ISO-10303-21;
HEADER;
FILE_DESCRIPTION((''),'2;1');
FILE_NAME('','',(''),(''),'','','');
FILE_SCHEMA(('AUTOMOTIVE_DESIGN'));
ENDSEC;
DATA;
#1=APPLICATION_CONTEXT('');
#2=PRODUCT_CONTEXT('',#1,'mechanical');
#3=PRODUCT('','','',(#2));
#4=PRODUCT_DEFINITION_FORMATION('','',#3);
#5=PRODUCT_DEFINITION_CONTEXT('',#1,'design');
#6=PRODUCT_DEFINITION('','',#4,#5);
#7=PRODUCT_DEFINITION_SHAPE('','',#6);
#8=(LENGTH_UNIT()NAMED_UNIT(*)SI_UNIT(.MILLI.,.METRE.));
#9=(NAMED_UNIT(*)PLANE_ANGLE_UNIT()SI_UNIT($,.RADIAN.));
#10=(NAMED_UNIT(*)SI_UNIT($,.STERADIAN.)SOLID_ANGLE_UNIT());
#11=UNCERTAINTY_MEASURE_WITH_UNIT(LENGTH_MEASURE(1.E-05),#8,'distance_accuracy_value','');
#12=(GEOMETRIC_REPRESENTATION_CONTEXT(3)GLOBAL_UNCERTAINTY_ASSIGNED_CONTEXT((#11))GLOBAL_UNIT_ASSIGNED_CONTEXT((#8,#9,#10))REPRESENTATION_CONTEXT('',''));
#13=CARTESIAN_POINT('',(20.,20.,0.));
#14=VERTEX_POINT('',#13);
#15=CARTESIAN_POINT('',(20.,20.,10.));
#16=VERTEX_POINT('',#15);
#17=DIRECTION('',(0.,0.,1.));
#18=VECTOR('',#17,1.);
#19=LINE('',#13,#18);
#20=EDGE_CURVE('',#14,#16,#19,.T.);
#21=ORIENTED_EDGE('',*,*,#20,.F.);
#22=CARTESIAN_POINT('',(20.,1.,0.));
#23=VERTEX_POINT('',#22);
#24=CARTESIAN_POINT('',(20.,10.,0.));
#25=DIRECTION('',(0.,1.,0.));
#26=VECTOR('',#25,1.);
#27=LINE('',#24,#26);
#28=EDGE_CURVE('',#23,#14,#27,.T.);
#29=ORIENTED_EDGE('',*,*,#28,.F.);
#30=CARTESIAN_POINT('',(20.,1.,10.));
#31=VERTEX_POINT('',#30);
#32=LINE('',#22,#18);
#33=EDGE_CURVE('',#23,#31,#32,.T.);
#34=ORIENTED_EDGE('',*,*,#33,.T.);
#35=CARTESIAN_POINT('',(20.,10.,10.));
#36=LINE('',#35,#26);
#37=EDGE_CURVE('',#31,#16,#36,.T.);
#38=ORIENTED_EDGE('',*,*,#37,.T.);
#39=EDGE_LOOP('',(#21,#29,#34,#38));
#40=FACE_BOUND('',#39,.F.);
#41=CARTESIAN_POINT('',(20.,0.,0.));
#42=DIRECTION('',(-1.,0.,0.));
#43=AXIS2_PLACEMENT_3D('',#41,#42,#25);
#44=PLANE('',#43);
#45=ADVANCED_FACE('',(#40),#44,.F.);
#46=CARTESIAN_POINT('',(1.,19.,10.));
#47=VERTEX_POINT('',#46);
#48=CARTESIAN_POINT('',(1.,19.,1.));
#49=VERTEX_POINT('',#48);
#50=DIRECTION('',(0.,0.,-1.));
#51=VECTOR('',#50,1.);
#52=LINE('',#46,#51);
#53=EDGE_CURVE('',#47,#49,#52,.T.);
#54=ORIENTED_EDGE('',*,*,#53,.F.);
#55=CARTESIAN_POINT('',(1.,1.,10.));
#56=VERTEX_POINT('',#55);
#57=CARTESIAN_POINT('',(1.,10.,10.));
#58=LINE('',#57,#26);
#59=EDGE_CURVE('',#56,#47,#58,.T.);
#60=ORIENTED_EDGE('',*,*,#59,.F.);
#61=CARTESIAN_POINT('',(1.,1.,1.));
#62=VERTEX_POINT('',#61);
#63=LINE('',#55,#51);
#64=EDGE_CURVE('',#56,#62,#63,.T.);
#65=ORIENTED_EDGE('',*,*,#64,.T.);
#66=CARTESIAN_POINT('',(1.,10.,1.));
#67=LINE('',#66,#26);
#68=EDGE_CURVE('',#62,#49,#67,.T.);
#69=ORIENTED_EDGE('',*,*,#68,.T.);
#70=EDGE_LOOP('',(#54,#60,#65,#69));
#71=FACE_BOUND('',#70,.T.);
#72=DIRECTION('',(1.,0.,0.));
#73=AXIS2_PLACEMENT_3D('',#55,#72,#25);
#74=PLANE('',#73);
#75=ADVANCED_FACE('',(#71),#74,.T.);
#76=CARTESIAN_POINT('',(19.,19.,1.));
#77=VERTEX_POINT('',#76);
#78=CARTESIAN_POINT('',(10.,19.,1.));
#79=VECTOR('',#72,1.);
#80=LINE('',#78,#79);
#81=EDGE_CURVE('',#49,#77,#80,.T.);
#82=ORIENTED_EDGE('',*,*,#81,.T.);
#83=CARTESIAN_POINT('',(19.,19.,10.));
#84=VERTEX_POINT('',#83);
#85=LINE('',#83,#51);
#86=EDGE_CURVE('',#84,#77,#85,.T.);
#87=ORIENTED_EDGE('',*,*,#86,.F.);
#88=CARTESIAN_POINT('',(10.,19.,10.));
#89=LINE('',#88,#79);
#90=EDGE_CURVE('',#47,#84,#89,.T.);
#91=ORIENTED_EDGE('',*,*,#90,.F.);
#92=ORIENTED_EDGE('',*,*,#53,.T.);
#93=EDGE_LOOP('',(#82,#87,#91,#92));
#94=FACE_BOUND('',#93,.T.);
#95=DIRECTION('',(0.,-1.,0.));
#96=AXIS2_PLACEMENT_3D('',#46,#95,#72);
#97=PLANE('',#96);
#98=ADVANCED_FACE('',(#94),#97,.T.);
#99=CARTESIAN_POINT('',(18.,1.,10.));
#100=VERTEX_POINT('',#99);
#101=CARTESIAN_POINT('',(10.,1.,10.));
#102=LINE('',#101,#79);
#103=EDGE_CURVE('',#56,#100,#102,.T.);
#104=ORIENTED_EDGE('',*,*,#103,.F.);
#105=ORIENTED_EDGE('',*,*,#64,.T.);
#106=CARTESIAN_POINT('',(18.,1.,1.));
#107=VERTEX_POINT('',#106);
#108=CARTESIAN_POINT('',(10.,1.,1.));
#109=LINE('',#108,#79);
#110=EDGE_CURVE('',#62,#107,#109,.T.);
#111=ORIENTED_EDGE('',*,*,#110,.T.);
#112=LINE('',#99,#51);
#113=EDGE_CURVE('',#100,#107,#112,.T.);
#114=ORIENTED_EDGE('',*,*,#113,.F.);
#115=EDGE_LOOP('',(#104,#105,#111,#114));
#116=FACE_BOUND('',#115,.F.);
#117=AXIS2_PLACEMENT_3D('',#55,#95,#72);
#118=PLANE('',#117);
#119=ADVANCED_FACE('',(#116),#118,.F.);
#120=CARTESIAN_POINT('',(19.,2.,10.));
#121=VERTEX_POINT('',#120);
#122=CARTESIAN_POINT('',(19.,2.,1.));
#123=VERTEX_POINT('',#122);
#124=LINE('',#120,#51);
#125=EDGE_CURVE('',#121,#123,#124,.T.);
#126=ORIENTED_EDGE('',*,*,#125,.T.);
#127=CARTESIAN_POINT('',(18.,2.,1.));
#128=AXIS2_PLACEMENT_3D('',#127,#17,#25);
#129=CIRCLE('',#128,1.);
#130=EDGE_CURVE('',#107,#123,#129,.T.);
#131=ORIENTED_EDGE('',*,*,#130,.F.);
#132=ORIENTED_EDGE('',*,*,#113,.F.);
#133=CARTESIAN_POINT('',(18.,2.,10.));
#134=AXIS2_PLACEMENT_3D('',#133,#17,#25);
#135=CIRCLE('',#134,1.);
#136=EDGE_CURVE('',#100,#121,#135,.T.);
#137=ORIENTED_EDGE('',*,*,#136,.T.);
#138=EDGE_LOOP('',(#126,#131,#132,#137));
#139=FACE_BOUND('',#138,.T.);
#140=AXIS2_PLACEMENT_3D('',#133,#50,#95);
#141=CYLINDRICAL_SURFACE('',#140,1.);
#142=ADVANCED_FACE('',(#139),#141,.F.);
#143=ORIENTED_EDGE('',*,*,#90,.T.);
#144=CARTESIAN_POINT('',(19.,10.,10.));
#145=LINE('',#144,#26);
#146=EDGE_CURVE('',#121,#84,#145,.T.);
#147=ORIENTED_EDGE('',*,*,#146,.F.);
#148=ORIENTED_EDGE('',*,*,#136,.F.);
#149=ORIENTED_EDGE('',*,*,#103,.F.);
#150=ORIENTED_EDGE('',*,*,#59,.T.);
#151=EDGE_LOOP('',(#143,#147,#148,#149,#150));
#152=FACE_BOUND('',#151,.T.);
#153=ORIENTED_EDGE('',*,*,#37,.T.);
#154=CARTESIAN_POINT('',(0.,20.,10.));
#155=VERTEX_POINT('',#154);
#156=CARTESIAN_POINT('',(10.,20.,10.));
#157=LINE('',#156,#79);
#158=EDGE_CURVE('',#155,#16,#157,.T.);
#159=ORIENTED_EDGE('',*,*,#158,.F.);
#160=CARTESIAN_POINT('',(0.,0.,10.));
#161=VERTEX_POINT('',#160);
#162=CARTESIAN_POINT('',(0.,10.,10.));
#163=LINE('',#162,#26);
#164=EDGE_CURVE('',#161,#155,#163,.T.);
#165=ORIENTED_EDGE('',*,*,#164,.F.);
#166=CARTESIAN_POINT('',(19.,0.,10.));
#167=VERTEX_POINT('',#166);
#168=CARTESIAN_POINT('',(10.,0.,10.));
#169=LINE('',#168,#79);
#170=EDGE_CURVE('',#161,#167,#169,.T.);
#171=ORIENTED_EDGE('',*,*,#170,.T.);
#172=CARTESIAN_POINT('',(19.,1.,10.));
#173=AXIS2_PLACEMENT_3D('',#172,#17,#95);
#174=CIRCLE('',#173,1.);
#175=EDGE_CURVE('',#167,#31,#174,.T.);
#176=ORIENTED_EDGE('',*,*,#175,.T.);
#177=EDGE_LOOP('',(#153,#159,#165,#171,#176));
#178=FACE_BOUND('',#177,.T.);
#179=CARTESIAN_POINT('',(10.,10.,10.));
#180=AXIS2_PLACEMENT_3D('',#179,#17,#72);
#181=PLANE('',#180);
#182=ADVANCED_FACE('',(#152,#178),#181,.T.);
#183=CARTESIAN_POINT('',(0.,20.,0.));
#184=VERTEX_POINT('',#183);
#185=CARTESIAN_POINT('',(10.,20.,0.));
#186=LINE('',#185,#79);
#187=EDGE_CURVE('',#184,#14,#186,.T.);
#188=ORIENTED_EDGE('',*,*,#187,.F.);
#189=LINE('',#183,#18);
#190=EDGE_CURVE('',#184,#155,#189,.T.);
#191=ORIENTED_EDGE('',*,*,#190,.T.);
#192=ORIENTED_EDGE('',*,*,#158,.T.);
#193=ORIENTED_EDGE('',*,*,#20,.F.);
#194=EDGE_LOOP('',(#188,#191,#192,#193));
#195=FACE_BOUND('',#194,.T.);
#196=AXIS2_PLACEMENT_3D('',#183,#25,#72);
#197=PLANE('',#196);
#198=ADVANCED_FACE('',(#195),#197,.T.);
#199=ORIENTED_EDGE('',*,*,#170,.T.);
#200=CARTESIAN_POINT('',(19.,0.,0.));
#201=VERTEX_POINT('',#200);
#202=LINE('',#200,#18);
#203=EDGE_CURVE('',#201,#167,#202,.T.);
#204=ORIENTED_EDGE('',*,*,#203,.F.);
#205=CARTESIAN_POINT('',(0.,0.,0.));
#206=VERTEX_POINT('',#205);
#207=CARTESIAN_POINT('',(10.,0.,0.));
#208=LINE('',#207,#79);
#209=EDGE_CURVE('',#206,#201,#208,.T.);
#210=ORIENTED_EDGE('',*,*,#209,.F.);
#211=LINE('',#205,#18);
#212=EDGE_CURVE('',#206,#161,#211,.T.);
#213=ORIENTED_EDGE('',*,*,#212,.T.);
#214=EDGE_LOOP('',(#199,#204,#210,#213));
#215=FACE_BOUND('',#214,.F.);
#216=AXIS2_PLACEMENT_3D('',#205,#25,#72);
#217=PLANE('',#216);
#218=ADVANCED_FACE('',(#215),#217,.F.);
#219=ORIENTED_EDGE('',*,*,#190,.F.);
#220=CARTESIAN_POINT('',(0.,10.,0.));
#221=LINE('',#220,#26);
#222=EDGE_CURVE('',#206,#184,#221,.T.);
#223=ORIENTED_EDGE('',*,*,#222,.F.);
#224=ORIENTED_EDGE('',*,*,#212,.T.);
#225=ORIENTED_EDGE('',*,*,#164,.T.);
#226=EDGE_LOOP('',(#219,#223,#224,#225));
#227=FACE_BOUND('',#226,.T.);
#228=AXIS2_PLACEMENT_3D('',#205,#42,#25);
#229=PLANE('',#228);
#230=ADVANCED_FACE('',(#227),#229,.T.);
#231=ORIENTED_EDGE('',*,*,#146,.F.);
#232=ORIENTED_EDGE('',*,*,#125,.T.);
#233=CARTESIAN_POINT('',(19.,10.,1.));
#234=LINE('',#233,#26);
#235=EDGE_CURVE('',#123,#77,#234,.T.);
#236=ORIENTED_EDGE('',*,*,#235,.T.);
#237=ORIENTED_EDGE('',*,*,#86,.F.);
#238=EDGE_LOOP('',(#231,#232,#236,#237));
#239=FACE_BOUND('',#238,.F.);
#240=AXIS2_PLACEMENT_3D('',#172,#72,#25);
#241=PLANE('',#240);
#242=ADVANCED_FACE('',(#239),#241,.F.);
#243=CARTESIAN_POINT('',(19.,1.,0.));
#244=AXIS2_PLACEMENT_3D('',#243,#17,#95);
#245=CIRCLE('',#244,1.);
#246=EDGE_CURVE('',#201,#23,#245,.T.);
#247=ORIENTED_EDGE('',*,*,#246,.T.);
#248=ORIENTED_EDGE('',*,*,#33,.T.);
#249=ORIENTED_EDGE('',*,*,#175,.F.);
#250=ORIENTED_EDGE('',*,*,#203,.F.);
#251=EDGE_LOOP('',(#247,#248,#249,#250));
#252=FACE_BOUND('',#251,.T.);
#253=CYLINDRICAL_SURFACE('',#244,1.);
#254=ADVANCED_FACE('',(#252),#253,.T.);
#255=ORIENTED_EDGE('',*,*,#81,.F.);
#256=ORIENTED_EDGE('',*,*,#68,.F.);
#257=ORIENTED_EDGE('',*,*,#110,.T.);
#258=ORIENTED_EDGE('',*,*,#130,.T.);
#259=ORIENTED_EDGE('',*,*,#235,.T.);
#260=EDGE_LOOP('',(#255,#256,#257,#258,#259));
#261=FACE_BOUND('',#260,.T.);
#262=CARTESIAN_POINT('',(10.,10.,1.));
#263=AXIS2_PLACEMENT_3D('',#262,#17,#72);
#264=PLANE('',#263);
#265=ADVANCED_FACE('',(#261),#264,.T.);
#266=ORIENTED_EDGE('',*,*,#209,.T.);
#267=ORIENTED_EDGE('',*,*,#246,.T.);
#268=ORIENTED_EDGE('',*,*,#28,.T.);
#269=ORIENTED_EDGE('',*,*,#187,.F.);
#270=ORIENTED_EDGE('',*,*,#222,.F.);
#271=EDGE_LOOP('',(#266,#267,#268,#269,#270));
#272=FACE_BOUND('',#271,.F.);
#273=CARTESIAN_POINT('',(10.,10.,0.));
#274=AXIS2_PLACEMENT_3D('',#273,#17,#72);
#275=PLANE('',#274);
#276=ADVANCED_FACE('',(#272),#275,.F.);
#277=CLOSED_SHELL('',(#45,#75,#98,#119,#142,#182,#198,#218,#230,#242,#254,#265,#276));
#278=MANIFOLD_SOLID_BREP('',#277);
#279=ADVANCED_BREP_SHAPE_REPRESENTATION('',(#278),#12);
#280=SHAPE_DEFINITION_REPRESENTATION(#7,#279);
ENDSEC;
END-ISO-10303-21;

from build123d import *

# Parameters (mm, degrees)
SKETCH_W     = 20
SKETCH_H     = 20
PAD_DEPTH    = 10
SKETCH001_W  = 18
SKETCH001_H  = 18
POCKET_DEPTH = 9
FILLET_R     = 1
FILLET001_R  = 1


with BuildPart() as part:
    # Sketch → Pad (new body)
    with BuildSketch(Plane.XY):
        with Locations((10, 10)):
            Rectangle(SKETCH_W, SKETCH_H)
    extrude(amount=PAD_DEPTH)

    # Sketch001 → Pocket (cut)
    with BuildSketch(Plane.XY.offset(10)):
        with Locations((10, 10)):
            Rectangle(SKETCH001_W, SKETCH001_H)
    extrude(amount=-POCKET_DEPTH, mode=Mode.SUBTRACT)

    # Fillet
    fillet_edges = [part.edges().sort_by_distance(p)[0] for p in [
        (20, 0, 5),
    ]]
    fillet(fillet_edges, radius=FILLET_R)

    # Fillet001
    fillet001_edges = [part.edges().sort_by_distance(p)[0] for p in [
        (19, 1, 5.5),
    ]]
    fillet(fillet001_edges, radius=FILLET001_R)


solid = part.part
